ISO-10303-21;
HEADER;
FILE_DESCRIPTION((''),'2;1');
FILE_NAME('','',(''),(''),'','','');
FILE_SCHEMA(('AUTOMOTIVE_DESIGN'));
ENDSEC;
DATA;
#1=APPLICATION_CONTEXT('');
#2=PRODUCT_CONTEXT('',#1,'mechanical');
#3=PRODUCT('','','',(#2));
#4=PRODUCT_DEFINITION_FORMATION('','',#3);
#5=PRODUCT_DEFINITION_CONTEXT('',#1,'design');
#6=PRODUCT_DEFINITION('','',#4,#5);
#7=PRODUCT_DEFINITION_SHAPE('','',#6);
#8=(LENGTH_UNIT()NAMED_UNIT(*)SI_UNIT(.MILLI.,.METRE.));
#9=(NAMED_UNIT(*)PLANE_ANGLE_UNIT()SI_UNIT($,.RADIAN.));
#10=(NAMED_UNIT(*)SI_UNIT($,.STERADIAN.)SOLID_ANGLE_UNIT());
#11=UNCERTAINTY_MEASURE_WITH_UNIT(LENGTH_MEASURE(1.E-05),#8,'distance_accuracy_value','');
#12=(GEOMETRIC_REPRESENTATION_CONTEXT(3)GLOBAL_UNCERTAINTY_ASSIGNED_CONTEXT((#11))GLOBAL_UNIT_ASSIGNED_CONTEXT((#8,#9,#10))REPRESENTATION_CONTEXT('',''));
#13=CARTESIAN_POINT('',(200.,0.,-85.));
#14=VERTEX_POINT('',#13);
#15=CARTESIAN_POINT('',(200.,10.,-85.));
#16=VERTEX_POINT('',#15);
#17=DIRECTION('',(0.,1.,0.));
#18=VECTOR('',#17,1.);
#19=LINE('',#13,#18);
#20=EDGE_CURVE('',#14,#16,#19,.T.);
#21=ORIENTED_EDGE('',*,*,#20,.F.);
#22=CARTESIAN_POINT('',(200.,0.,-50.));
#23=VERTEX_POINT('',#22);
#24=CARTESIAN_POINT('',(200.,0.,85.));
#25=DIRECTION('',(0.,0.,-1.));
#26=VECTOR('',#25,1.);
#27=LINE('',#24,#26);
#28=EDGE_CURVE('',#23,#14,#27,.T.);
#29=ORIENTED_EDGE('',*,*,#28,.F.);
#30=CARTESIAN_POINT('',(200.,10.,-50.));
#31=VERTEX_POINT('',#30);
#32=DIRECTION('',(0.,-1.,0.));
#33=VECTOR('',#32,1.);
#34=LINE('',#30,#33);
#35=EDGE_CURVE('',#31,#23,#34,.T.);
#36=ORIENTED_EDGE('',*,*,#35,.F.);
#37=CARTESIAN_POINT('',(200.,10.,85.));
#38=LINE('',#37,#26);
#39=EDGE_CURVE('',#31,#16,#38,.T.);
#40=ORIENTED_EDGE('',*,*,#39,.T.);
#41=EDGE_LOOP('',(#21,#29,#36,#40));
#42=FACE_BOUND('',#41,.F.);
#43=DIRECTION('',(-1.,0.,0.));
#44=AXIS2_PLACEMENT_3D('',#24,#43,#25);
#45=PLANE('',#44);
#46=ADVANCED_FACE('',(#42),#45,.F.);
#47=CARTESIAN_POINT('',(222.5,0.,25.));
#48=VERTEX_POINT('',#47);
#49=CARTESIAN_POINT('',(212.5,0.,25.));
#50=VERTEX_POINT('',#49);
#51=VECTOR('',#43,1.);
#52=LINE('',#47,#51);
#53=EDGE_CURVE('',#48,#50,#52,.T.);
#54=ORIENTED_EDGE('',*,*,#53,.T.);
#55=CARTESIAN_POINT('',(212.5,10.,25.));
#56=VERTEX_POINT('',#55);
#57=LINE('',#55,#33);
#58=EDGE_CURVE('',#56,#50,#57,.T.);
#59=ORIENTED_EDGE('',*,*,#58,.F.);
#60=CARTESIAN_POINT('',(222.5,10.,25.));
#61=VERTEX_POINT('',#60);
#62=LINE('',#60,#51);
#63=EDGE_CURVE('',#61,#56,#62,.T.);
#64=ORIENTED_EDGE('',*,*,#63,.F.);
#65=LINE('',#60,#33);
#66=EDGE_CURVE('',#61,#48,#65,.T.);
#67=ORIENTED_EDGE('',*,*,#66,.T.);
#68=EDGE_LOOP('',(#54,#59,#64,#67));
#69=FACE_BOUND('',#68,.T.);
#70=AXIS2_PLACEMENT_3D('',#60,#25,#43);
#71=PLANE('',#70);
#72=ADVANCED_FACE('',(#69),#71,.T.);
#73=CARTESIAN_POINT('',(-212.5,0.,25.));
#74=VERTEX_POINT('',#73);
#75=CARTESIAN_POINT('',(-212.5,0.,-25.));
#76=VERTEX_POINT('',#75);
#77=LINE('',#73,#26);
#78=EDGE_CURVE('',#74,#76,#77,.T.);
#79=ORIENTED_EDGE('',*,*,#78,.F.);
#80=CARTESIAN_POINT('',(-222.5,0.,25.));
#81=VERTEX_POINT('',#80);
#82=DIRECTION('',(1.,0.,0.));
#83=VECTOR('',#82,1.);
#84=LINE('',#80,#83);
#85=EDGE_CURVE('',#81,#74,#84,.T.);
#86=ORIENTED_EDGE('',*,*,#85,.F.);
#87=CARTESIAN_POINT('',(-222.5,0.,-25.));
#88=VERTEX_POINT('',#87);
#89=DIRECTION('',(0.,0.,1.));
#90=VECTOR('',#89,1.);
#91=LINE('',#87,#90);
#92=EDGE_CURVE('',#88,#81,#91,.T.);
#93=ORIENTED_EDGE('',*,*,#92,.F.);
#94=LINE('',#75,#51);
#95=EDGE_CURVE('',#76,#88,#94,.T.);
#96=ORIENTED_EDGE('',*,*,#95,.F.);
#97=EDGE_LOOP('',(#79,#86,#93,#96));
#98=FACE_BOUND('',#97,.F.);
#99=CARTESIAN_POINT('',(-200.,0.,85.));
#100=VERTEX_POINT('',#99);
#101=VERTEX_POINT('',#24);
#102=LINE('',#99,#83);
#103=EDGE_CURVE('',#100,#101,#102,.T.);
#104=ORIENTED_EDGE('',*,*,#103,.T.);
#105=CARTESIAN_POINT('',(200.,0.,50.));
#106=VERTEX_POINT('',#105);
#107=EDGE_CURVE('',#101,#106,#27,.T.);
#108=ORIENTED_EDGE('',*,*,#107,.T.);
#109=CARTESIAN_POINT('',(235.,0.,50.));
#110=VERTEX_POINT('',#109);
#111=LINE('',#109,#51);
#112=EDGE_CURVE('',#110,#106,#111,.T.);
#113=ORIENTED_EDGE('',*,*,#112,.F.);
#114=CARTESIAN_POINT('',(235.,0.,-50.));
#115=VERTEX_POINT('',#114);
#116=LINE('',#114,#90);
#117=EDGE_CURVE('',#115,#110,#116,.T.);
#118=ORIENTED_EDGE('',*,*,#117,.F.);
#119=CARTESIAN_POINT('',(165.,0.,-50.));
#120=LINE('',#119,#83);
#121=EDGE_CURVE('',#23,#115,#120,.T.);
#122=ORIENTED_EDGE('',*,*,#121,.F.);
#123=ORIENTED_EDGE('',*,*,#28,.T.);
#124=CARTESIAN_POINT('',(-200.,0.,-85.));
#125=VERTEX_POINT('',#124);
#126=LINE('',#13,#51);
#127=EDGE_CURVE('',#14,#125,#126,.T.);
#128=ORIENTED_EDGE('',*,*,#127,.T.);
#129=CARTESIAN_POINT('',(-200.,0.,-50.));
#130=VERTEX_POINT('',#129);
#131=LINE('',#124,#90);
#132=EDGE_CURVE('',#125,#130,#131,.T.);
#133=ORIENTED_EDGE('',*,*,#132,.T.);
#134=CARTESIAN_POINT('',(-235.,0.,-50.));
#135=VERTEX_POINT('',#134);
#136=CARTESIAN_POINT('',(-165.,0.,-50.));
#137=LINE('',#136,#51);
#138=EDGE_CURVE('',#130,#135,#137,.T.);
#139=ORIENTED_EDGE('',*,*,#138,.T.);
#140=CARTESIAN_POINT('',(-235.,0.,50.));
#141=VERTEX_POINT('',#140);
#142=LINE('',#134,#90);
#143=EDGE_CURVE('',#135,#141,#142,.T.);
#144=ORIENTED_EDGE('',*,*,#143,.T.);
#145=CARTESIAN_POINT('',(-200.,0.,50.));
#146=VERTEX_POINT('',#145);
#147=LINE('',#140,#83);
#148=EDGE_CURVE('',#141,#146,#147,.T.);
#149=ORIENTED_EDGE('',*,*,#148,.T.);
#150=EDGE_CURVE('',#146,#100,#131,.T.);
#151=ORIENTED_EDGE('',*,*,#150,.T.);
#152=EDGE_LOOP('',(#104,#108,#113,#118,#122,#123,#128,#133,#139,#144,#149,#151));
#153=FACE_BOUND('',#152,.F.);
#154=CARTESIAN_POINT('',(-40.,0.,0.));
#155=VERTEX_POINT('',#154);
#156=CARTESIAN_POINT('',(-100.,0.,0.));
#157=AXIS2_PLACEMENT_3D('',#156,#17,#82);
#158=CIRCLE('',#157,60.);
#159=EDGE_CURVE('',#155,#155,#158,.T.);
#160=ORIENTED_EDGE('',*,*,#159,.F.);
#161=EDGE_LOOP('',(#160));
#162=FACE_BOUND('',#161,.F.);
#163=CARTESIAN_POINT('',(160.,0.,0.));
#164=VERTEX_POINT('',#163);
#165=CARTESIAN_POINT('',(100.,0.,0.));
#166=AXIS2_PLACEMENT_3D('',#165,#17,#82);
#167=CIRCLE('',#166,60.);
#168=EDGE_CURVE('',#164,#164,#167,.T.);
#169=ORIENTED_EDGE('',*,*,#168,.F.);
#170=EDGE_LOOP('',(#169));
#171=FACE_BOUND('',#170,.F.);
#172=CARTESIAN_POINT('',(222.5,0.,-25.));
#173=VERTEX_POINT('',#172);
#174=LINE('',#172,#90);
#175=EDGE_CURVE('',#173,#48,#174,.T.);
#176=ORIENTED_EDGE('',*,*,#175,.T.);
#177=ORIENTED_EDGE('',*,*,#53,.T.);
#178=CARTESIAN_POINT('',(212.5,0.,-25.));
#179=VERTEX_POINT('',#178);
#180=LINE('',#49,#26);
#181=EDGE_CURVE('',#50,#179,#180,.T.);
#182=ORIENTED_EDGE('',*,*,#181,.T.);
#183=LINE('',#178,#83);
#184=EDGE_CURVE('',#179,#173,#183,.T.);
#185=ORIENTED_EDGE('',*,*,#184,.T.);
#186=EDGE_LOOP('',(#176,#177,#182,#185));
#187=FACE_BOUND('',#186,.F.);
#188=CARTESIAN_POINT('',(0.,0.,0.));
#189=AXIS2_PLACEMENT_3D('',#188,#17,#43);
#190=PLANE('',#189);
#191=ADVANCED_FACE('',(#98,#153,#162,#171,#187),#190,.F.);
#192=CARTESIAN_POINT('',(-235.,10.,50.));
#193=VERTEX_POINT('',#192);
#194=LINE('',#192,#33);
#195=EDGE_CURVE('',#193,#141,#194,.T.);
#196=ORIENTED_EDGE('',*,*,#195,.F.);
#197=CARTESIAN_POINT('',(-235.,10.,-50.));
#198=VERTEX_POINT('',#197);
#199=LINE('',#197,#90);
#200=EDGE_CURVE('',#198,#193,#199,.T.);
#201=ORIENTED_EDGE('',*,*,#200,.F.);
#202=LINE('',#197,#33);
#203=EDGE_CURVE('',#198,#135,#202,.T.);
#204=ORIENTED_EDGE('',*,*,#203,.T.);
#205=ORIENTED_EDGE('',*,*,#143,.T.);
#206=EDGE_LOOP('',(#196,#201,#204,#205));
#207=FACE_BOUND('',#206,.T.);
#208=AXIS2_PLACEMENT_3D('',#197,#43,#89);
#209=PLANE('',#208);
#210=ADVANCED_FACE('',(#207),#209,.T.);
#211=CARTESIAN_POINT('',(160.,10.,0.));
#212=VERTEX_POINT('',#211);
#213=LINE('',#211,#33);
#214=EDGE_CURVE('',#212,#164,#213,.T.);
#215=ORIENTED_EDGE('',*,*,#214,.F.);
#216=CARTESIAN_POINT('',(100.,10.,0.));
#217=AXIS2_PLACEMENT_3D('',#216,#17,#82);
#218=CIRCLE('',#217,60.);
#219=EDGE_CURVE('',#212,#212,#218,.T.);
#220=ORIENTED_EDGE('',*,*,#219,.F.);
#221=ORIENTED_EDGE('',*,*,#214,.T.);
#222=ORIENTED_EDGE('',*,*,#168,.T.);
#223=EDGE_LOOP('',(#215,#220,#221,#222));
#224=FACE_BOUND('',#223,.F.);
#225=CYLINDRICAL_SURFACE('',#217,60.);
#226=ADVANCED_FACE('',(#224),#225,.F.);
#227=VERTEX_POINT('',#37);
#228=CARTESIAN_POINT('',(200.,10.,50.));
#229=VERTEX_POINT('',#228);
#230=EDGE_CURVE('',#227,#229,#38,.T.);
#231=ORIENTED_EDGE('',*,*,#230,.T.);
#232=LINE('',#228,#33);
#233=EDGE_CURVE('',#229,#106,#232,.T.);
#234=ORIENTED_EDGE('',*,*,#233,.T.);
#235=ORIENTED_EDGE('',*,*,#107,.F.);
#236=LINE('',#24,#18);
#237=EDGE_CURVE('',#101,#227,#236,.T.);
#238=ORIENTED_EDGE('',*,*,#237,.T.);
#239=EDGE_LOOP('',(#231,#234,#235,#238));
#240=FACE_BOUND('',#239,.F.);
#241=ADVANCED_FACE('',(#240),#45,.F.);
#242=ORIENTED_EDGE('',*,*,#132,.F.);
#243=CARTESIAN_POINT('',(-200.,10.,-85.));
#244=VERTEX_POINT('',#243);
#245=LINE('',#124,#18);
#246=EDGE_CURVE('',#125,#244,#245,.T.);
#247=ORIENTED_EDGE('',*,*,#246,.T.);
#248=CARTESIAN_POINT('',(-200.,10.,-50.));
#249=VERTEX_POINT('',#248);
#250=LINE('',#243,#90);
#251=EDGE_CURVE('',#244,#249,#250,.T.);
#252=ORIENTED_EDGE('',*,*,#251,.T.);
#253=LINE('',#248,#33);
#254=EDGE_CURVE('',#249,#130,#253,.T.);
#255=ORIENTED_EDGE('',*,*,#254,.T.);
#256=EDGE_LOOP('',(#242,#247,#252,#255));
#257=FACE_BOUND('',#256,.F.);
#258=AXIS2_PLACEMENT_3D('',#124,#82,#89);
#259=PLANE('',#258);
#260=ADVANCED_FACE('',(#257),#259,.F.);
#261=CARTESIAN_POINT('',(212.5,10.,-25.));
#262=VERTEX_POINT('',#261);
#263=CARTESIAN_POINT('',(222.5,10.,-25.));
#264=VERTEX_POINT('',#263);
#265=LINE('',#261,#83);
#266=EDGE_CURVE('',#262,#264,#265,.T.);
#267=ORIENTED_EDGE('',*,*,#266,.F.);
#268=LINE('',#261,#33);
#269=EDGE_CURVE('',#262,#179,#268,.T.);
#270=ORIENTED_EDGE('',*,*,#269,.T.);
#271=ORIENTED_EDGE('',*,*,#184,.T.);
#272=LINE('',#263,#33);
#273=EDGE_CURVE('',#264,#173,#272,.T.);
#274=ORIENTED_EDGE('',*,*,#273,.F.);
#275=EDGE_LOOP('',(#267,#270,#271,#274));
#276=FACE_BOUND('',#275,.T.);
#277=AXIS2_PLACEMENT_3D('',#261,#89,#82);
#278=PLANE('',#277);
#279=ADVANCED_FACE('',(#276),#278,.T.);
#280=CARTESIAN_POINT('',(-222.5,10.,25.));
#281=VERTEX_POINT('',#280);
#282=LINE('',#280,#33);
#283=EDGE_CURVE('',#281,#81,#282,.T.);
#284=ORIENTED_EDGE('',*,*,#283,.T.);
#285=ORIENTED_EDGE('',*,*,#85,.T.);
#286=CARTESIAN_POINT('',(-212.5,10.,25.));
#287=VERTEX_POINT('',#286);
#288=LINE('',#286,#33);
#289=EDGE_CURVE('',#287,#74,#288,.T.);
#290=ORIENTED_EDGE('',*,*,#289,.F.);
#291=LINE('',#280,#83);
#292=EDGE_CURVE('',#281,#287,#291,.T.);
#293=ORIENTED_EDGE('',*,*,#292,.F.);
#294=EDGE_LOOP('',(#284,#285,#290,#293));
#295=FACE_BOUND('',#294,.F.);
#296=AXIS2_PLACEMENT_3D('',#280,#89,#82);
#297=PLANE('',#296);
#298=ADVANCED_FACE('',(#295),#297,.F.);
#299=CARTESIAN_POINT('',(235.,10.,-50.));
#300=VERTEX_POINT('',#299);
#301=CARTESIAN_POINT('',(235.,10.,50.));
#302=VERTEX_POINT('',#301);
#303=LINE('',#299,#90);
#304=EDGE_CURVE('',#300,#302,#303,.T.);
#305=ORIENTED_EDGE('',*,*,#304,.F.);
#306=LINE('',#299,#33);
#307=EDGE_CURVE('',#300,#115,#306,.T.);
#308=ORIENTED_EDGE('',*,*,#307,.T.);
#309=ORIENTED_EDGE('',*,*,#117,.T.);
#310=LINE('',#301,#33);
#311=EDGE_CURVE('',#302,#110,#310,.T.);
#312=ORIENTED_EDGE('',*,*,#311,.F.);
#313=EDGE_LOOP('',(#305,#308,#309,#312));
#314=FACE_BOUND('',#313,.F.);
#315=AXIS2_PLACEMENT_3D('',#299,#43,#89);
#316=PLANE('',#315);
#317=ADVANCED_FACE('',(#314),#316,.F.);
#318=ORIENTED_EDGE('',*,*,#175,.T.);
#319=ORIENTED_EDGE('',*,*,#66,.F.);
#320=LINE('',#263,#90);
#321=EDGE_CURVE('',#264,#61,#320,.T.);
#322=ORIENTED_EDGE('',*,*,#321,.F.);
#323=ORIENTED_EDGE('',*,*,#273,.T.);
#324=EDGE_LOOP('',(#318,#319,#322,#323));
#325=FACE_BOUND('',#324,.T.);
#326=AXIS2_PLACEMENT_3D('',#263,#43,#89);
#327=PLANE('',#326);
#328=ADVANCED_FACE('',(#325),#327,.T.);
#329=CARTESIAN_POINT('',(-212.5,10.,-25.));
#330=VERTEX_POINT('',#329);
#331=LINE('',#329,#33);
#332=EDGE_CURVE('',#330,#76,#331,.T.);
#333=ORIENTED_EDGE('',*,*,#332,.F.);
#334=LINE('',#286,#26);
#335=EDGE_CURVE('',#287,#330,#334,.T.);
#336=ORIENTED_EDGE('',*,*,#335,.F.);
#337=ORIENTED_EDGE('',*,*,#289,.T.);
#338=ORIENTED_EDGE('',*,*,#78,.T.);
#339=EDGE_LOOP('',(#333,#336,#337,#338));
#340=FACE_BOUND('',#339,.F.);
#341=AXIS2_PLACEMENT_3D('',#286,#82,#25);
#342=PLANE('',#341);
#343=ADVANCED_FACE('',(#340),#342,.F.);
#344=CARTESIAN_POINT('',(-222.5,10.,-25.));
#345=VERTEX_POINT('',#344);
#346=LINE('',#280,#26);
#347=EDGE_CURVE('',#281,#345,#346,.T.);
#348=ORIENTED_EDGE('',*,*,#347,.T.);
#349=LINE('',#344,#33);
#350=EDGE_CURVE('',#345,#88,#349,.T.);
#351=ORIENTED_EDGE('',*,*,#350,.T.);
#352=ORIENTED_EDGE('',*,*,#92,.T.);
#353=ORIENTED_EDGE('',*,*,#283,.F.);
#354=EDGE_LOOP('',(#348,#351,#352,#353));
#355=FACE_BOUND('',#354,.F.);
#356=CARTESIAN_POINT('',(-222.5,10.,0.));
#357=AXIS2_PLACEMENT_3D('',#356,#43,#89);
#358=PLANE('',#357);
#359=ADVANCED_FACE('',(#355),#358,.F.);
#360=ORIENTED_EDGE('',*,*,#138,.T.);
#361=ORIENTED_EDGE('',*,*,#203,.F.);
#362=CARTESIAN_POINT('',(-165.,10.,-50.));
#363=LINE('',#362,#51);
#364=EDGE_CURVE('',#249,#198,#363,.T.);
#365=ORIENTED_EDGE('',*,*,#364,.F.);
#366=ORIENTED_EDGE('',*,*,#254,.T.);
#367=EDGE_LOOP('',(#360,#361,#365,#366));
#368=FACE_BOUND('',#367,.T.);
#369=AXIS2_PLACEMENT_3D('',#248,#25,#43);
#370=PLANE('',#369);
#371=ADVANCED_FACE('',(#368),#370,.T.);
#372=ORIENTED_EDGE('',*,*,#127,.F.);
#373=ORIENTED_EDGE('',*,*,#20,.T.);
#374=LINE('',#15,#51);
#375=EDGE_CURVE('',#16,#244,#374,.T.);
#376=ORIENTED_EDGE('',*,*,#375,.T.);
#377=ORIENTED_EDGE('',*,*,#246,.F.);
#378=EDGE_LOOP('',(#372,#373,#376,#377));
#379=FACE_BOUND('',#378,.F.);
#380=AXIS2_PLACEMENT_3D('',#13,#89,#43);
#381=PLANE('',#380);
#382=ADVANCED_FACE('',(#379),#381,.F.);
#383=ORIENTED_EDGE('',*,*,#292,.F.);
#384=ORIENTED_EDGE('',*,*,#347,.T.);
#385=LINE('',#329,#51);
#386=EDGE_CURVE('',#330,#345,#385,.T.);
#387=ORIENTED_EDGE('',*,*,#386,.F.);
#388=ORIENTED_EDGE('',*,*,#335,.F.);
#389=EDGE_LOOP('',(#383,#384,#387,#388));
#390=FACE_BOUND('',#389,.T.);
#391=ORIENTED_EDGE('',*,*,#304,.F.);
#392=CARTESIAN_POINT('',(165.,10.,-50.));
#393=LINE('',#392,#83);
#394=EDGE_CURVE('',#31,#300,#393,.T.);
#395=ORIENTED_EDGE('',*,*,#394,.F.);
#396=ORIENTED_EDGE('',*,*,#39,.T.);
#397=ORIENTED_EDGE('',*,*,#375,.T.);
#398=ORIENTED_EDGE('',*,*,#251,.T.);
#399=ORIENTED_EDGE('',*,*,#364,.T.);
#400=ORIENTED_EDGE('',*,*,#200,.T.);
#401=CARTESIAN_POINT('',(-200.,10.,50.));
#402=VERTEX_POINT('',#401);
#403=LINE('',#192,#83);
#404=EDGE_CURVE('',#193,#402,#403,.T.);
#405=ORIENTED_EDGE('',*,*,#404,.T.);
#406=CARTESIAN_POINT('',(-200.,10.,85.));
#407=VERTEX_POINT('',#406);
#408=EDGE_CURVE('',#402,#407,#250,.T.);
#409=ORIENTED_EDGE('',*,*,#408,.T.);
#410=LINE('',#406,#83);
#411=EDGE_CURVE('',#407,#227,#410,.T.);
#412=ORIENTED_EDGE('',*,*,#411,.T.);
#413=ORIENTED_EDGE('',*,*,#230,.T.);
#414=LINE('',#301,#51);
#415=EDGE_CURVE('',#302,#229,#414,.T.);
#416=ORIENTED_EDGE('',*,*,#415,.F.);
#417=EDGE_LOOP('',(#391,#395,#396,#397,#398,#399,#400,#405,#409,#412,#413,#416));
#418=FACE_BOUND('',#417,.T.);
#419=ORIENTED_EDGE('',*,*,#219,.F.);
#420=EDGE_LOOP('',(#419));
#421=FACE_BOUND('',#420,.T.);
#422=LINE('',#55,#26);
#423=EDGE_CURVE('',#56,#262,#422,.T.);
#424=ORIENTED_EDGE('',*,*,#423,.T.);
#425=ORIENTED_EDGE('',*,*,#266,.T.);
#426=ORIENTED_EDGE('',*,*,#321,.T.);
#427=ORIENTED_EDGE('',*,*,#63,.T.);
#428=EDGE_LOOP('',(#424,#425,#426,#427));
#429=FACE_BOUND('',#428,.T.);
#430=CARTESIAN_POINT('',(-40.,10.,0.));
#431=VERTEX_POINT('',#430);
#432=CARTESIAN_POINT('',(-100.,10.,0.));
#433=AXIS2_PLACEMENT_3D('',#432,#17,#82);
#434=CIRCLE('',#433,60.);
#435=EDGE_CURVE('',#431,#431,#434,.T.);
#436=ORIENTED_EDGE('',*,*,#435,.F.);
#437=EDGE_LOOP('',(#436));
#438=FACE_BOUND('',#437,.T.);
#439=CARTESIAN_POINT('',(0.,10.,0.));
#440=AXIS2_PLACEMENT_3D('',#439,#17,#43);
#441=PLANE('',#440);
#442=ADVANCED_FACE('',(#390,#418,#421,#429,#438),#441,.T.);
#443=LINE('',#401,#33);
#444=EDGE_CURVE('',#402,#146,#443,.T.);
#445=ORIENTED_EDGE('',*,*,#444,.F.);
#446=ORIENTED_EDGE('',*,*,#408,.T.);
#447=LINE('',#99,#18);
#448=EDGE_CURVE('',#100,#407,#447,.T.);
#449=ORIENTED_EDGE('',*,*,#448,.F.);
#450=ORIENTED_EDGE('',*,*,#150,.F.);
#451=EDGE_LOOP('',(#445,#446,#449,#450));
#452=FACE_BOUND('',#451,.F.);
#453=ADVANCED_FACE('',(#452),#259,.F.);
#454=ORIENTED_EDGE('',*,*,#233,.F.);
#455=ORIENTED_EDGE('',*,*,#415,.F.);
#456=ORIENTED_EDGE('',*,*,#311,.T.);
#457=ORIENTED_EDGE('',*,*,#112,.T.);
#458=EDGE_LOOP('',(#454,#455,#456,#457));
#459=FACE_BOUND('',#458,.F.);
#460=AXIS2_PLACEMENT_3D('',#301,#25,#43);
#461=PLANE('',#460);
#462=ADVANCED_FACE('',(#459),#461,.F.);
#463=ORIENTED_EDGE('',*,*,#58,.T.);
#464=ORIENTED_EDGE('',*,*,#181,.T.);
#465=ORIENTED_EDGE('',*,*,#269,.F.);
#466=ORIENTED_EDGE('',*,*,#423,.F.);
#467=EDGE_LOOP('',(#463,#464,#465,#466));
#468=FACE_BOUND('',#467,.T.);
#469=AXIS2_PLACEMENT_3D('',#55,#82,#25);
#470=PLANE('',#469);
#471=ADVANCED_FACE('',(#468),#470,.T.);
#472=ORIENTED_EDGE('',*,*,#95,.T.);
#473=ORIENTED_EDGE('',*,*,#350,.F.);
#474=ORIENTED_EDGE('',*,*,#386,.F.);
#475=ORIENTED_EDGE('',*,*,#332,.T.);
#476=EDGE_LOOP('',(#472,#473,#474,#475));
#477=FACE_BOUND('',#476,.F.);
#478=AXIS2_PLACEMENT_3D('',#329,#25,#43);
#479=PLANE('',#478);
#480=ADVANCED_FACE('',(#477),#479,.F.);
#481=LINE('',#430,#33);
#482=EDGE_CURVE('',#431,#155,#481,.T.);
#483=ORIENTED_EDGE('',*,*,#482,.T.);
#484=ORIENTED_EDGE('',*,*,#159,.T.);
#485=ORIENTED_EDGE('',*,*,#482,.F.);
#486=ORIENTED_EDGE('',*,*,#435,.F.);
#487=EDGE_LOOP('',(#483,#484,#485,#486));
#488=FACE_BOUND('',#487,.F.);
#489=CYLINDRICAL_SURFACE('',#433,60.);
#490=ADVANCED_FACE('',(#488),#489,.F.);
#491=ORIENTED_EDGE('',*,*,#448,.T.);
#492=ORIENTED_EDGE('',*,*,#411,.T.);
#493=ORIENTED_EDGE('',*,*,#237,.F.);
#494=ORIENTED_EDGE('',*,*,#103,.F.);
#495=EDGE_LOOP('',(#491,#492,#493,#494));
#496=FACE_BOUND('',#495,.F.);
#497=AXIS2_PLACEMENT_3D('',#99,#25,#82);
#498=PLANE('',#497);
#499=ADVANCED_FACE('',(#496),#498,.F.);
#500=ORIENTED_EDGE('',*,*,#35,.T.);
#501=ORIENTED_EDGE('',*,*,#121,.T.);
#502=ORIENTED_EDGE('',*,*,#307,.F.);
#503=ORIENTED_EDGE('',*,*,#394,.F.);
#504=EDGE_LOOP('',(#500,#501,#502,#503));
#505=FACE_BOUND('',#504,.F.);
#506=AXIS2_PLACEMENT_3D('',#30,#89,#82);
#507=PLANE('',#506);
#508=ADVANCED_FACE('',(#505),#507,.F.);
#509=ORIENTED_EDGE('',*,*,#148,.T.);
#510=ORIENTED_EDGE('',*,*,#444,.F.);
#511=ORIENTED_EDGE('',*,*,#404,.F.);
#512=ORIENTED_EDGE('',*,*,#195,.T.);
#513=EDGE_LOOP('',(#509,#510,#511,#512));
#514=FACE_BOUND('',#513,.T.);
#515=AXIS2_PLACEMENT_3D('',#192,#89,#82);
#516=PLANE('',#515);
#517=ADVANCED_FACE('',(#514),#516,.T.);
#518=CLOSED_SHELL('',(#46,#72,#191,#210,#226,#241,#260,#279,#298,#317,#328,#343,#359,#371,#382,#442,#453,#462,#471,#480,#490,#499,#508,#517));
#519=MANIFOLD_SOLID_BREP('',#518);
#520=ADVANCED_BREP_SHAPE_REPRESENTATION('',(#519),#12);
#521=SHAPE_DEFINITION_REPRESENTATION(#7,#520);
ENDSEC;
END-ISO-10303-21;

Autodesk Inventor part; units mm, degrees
ref_plane "YZ Plane" through (0, 0, 0) normal (1, 0, 0) x (0, 1, 0)
ref_plane "XZ Plane" through (0, 0, 0) normal (0, 1, 0) x (-1, 0, 0)
ref_plane "XY Plane" through (0, 0, 0) normal (0, 0, 1) x (1, 0, 0)
sketch "Boceto1" plane through (0, 0, 0) normal (0, 1, 0) x (-1, 0, 0)
  line L0 (200, 85) -> (-200, 85)
  line L1 (-200, 85) -> (-200, -85)
  line L2 (-200, -85) -> (200, -85)
  line L3 (200, -85) -> (200, 85)
  line L4 (200, 85) -> (-200, -85) construction
  line L5 (-200, 85) -> (200, -85) construction
  point P0 (0, 0)
  dimension "d0" = 400
  dimension "d1" = 170
extrude "Extrusión1" add sketch "Boceto1" along normal blind 10
sketch "Boceto2" plane through (0, 10, 0) normal (0, 1, 0) x (1, 0, 0)
  line L0 (0, 0) -> (-100, 0)
  line L1 (0, 0) -> (100, 0) construction
  circle A0 centre (-100, 0) radius 60
  line L2 (0, 0) -> (0, 85)
  line L3 (200, 85) -> (-200, 85) projected
  circle A1 centre (100, 0) radius 60
  dimension "d5" = 100
  dimension "d6" = 180
  dimension "d7" = 120
extrude "Extrusión2" cut sketch "Boceto2" against normal up to surface (10 mm away)
sketch "Boceto3" plane through (0, 10, 0) normal (0, 1, 0) x (1, 0, 0)
  line L0 (165, 50) -> (235, 50)
  line L1 (235, 50) -> (235, -50)
  line L2 (235, -50) -> (165, -50)
  line L3 (165, -50) -> (165, 50)
  line L4 (200, -85) -> (200, 85) projected
  line L5 (165, 50) -> (235, -50) construction
  line L6 (235, 50) -> (165, -50) construction
  line L7 (200, 50) -> (200, -50)
  line L8 (0, -85) -> (0, 85)
  line L9 (200, 85) -> (-200, 85) projected
  line L10 (-165, 50) -> (-235, 50)
  line L11 (-235, 50) -> (-235, -50)
  line L12 (-235, -50) -> (-165, -50)
  line L13 (-200, -85) -> (-200, 85)
  point P0 (0, 0)
  point P1 (200, 0)
  point P2 (-200, -50)
  point P3 (-200, 50)
  dimension "d10" = 70
  dimension "d11" = 100
extrude "Extrusión3" add sketch "Boceto3" against normal up to surface (10 mm away) contours L13 L12 L11 L10 | L0 L1 L2 L4
sketch "Boceto4" plane through (0, 10, 0) normal (0, 1, 0) x (1, 0, 0)
  line L0 (0, 0) -> (0, 85)
  line L1 (200, 85) -> (-200, 85) projected
  line L2 (-235, 50) -> (-235, -50) projected
  line L3 (-235, 0) -> (-217.5, 0)
  line L4 (-235, 0) -> (-217.5, 0) construction
  line L5 (-222.5, -25) -> (-212.5, -25)
  line L6 (-212.5, -25) -> (-212.5, 25)
  line L7 (-212.5, 25) -> (-222.5, 25)
  line L8 (-222.5, 25) -> (-222.5, -25)
  line L9 (-222.5, -25) -> (-212.5, 25) construction
  line L10 (-212.5, -25) -> (-222.5, 25) construction
  line L11 (222.5, -25) -> (212.5, -25)
  line L12 (212.5, -25) -> (212.5, 25)
  line L13 (212.5, 25) -> (222.5, 25)
  line L14 (222.5, 25) -> (222.5, -25)
  dimension "d14" = 17.5
  dimension "d15" = 0
  dimension "d16" = 10
  dimension "d17" = 50
extrude "Extrusión4" cut sketch "Boceto4" against normal up to surface (10 mm away)
equation "\"d0\" = largo_c"
equation "\"d1\" = ancho_c"
equation "\"d2\" = grueso"
equation "\"d5\" = d_plato"
equation "\"d7\" = diametro_c"
equation "\"d10\" = largo_p"
equation "\"d11\" = ancho_p"
equation "\"d14\" = 0.25 * largo_p"
equation "\"d16\" = ancho_a"
equation "\"d17\" = alto_a"
equation "\"ancho_c\" = 170"
equation "\"largo_c\" = 400"
equation "\"grueso\" = 10"
equation "\"diametro_c\" = 120"
equation "\"d_plato\" = 100"
equation "\"ancho_p\" = 100"
equation "\"largo_p\" = 70"
equation "\"ancho_a\" = 10"
equation "\"alto_a\" = 50"
properties part number "Parte C" material "Madera (abedul)"
